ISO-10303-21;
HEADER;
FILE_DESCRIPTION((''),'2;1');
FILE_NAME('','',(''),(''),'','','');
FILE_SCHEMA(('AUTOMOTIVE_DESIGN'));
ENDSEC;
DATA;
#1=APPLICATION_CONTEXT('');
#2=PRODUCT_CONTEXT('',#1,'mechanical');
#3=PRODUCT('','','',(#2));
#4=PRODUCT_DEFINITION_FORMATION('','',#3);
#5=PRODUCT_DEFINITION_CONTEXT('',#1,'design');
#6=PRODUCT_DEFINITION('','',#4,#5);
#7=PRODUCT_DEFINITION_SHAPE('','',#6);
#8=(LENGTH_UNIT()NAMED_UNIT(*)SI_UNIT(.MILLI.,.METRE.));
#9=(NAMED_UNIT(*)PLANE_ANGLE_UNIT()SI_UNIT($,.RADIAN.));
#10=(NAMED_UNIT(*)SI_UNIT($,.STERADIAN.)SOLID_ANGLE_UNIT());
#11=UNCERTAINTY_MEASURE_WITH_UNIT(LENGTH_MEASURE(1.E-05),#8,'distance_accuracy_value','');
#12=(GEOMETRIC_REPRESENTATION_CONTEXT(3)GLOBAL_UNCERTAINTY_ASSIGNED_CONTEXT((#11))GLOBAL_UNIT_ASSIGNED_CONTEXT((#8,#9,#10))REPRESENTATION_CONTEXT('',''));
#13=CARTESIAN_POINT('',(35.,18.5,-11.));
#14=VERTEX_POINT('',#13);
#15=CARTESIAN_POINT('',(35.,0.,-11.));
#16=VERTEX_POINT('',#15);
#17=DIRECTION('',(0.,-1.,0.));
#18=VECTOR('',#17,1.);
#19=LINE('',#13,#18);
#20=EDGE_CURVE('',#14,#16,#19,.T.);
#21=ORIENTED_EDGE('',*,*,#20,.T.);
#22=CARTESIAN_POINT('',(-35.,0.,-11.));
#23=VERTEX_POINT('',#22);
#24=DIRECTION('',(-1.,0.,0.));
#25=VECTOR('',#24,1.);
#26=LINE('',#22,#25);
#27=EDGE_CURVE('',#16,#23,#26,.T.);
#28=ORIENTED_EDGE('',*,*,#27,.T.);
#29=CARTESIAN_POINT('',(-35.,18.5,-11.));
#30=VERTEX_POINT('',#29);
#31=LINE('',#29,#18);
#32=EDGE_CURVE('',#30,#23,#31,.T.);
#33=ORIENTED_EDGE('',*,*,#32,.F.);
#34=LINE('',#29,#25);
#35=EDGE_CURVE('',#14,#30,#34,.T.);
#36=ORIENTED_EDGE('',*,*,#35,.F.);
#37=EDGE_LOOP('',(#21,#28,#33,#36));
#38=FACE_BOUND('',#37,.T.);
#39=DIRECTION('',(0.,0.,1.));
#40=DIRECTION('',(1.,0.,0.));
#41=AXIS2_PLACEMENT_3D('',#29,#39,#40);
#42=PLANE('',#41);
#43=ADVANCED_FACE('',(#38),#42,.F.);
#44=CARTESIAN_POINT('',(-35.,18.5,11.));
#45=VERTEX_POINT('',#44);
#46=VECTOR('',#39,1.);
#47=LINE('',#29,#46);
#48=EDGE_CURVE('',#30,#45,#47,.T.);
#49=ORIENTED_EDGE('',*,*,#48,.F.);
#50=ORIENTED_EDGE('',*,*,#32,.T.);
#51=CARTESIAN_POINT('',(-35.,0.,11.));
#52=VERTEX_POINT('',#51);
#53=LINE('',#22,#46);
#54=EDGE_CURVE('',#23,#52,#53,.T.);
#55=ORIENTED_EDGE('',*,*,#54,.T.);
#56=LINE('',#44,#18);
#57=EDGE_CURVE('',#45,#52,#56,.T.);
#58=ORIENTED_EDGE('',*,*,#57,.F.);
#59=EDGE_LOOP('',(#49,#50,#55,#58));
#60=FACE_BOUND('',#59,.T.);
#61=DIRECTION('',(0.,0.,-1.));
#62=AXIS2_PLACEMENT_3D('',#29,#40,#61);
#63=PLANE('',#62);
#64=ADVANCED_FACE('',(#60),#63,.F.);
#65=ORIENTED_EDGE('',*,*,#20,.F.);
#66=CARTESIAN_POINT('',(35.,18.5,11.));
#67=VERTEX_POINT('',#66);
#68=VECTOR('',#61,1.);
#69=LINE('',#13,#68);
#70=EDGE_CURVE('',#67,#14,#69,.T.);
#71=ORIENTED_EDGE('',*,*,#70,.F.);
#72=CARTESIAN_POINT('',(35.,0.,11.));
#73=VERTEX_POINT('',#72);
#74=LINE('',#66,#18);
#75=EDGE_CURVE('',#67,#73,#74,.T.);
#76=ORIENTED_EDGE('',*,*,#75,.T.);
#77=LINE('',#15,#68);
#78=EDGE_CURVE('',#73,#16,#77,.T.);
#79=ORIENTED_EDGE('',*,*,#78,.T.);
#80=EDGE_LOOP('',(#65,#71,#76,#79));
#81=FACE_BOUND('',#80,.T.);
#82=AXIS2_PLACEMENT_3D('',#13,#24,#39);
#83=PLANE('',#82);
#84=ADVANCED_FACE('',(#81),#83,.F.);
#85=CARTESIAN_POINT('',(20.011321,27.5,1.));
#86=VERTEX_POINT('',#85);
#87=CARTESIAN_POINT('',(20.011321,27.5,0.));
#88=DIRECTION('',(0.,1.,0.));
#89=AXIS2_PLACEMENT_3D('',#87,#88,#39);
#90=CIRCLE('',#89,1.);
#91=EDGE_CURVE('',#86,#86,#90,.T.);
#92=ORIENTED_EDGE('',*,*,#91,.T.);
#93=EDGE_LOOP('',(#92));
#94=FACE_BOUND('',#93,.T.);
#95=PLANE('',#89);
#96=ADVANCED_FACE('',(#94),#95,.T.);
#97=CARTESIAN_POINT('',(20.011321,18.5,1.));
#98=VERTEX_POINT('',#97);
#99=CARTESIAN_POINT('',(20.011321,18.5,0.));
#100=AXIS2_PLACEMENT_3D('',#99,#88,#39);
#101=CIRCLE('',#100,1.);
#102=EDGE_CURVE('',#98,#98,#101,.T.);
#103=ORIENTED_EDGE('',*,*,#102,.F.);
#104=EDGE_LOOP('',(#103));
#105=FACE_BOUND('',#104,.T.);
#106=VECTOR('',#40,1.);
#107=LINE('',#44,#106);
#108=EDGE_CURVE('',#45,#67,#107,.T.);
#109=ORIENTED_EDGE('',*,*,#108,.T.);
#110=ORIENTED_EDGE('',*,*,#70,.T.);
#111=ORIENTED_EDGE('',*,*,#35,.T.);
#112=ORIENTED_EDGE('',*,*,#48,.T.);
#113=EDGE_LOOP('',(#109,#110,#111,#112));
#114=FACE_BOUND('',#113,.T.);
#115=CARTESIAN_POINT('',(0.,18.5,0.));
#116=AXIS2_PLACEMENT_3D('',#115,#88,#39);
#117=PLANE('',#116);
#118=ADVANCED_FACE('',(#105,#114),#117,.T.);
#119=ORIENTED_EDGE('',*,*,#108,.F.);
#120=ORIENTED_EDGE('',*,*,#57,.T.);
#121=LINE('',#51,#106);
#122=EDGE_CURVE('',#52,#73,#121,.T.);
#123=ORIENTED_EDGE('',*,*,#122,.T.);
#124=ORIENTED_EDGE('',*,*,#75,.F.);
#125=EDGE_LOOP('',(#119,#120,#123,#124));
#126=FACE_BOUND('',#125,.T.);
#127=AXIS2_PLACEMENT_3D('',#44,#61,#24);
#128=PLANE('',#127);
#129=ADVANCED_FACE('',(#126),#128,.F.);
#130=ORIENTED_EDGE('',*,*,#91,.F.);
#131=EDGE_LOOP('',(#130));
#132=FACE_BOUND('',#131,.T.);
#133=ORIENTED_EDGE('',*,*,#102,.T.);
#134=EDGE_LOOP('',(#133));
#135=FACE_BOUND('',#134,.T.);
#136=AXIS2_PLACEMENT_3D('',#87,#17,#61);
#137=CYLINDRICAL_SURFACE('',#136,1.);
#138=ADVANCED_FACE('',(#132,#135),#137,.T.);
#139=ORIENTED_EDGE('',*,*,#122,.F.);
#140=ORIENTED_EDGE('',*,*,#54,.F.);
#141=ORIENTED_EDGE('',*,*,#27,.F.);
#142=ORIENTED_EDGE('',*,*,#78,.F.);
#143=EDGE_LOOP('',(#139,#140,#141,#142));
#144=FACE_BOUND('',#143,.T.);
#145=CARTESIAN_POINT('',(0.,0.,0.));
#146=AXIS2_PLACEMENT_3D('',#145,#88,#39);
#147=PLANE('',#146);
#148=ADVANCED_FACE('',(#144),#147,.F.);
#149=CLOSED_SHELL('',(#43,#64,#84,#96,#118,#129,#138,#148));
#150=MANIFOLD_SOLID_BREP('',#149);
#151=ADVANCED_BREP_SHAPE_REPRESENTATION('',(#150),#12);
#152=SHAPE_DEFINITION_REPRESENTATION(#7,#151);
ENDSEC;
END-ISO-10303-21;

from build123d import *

# Parameters (mm, degrees)
SKETCH_2_W      = 70
SKETCH_2_H      = 22
EXTRUDE_1_DEPTH = 18.5
SKETCH_3_R      = 1
EXTRUDE_2_DEPTH = 9


with BuildPart() as part:
    # 草圖2 → 填料-伸長1 (new body)
    with BuildSketch(Plane(origin=(0, 0, 0), x_dir=(1, 0, 0), z_dir=(0, 1, 0))):
        Rectangle(SKETCH_2_W, SKETCH_2_H)
    extrude(amount=EXTRUDE_1_DEPTH)

    # 草圖3 → 填料-伸長2 (add)
    with BuildSketch(Plane(origin=(0, 18.5, 0), x_dir=(1, 0, 0), z_dir=(0, 1, 0))):
        with Locations(Location((20.011320948, 0, 0), (0, 0, 270))):
            Circle(SKETCH_3_R)
    extrude(amount=EXTRUDE_2_DEPTH)


solid = part.part
